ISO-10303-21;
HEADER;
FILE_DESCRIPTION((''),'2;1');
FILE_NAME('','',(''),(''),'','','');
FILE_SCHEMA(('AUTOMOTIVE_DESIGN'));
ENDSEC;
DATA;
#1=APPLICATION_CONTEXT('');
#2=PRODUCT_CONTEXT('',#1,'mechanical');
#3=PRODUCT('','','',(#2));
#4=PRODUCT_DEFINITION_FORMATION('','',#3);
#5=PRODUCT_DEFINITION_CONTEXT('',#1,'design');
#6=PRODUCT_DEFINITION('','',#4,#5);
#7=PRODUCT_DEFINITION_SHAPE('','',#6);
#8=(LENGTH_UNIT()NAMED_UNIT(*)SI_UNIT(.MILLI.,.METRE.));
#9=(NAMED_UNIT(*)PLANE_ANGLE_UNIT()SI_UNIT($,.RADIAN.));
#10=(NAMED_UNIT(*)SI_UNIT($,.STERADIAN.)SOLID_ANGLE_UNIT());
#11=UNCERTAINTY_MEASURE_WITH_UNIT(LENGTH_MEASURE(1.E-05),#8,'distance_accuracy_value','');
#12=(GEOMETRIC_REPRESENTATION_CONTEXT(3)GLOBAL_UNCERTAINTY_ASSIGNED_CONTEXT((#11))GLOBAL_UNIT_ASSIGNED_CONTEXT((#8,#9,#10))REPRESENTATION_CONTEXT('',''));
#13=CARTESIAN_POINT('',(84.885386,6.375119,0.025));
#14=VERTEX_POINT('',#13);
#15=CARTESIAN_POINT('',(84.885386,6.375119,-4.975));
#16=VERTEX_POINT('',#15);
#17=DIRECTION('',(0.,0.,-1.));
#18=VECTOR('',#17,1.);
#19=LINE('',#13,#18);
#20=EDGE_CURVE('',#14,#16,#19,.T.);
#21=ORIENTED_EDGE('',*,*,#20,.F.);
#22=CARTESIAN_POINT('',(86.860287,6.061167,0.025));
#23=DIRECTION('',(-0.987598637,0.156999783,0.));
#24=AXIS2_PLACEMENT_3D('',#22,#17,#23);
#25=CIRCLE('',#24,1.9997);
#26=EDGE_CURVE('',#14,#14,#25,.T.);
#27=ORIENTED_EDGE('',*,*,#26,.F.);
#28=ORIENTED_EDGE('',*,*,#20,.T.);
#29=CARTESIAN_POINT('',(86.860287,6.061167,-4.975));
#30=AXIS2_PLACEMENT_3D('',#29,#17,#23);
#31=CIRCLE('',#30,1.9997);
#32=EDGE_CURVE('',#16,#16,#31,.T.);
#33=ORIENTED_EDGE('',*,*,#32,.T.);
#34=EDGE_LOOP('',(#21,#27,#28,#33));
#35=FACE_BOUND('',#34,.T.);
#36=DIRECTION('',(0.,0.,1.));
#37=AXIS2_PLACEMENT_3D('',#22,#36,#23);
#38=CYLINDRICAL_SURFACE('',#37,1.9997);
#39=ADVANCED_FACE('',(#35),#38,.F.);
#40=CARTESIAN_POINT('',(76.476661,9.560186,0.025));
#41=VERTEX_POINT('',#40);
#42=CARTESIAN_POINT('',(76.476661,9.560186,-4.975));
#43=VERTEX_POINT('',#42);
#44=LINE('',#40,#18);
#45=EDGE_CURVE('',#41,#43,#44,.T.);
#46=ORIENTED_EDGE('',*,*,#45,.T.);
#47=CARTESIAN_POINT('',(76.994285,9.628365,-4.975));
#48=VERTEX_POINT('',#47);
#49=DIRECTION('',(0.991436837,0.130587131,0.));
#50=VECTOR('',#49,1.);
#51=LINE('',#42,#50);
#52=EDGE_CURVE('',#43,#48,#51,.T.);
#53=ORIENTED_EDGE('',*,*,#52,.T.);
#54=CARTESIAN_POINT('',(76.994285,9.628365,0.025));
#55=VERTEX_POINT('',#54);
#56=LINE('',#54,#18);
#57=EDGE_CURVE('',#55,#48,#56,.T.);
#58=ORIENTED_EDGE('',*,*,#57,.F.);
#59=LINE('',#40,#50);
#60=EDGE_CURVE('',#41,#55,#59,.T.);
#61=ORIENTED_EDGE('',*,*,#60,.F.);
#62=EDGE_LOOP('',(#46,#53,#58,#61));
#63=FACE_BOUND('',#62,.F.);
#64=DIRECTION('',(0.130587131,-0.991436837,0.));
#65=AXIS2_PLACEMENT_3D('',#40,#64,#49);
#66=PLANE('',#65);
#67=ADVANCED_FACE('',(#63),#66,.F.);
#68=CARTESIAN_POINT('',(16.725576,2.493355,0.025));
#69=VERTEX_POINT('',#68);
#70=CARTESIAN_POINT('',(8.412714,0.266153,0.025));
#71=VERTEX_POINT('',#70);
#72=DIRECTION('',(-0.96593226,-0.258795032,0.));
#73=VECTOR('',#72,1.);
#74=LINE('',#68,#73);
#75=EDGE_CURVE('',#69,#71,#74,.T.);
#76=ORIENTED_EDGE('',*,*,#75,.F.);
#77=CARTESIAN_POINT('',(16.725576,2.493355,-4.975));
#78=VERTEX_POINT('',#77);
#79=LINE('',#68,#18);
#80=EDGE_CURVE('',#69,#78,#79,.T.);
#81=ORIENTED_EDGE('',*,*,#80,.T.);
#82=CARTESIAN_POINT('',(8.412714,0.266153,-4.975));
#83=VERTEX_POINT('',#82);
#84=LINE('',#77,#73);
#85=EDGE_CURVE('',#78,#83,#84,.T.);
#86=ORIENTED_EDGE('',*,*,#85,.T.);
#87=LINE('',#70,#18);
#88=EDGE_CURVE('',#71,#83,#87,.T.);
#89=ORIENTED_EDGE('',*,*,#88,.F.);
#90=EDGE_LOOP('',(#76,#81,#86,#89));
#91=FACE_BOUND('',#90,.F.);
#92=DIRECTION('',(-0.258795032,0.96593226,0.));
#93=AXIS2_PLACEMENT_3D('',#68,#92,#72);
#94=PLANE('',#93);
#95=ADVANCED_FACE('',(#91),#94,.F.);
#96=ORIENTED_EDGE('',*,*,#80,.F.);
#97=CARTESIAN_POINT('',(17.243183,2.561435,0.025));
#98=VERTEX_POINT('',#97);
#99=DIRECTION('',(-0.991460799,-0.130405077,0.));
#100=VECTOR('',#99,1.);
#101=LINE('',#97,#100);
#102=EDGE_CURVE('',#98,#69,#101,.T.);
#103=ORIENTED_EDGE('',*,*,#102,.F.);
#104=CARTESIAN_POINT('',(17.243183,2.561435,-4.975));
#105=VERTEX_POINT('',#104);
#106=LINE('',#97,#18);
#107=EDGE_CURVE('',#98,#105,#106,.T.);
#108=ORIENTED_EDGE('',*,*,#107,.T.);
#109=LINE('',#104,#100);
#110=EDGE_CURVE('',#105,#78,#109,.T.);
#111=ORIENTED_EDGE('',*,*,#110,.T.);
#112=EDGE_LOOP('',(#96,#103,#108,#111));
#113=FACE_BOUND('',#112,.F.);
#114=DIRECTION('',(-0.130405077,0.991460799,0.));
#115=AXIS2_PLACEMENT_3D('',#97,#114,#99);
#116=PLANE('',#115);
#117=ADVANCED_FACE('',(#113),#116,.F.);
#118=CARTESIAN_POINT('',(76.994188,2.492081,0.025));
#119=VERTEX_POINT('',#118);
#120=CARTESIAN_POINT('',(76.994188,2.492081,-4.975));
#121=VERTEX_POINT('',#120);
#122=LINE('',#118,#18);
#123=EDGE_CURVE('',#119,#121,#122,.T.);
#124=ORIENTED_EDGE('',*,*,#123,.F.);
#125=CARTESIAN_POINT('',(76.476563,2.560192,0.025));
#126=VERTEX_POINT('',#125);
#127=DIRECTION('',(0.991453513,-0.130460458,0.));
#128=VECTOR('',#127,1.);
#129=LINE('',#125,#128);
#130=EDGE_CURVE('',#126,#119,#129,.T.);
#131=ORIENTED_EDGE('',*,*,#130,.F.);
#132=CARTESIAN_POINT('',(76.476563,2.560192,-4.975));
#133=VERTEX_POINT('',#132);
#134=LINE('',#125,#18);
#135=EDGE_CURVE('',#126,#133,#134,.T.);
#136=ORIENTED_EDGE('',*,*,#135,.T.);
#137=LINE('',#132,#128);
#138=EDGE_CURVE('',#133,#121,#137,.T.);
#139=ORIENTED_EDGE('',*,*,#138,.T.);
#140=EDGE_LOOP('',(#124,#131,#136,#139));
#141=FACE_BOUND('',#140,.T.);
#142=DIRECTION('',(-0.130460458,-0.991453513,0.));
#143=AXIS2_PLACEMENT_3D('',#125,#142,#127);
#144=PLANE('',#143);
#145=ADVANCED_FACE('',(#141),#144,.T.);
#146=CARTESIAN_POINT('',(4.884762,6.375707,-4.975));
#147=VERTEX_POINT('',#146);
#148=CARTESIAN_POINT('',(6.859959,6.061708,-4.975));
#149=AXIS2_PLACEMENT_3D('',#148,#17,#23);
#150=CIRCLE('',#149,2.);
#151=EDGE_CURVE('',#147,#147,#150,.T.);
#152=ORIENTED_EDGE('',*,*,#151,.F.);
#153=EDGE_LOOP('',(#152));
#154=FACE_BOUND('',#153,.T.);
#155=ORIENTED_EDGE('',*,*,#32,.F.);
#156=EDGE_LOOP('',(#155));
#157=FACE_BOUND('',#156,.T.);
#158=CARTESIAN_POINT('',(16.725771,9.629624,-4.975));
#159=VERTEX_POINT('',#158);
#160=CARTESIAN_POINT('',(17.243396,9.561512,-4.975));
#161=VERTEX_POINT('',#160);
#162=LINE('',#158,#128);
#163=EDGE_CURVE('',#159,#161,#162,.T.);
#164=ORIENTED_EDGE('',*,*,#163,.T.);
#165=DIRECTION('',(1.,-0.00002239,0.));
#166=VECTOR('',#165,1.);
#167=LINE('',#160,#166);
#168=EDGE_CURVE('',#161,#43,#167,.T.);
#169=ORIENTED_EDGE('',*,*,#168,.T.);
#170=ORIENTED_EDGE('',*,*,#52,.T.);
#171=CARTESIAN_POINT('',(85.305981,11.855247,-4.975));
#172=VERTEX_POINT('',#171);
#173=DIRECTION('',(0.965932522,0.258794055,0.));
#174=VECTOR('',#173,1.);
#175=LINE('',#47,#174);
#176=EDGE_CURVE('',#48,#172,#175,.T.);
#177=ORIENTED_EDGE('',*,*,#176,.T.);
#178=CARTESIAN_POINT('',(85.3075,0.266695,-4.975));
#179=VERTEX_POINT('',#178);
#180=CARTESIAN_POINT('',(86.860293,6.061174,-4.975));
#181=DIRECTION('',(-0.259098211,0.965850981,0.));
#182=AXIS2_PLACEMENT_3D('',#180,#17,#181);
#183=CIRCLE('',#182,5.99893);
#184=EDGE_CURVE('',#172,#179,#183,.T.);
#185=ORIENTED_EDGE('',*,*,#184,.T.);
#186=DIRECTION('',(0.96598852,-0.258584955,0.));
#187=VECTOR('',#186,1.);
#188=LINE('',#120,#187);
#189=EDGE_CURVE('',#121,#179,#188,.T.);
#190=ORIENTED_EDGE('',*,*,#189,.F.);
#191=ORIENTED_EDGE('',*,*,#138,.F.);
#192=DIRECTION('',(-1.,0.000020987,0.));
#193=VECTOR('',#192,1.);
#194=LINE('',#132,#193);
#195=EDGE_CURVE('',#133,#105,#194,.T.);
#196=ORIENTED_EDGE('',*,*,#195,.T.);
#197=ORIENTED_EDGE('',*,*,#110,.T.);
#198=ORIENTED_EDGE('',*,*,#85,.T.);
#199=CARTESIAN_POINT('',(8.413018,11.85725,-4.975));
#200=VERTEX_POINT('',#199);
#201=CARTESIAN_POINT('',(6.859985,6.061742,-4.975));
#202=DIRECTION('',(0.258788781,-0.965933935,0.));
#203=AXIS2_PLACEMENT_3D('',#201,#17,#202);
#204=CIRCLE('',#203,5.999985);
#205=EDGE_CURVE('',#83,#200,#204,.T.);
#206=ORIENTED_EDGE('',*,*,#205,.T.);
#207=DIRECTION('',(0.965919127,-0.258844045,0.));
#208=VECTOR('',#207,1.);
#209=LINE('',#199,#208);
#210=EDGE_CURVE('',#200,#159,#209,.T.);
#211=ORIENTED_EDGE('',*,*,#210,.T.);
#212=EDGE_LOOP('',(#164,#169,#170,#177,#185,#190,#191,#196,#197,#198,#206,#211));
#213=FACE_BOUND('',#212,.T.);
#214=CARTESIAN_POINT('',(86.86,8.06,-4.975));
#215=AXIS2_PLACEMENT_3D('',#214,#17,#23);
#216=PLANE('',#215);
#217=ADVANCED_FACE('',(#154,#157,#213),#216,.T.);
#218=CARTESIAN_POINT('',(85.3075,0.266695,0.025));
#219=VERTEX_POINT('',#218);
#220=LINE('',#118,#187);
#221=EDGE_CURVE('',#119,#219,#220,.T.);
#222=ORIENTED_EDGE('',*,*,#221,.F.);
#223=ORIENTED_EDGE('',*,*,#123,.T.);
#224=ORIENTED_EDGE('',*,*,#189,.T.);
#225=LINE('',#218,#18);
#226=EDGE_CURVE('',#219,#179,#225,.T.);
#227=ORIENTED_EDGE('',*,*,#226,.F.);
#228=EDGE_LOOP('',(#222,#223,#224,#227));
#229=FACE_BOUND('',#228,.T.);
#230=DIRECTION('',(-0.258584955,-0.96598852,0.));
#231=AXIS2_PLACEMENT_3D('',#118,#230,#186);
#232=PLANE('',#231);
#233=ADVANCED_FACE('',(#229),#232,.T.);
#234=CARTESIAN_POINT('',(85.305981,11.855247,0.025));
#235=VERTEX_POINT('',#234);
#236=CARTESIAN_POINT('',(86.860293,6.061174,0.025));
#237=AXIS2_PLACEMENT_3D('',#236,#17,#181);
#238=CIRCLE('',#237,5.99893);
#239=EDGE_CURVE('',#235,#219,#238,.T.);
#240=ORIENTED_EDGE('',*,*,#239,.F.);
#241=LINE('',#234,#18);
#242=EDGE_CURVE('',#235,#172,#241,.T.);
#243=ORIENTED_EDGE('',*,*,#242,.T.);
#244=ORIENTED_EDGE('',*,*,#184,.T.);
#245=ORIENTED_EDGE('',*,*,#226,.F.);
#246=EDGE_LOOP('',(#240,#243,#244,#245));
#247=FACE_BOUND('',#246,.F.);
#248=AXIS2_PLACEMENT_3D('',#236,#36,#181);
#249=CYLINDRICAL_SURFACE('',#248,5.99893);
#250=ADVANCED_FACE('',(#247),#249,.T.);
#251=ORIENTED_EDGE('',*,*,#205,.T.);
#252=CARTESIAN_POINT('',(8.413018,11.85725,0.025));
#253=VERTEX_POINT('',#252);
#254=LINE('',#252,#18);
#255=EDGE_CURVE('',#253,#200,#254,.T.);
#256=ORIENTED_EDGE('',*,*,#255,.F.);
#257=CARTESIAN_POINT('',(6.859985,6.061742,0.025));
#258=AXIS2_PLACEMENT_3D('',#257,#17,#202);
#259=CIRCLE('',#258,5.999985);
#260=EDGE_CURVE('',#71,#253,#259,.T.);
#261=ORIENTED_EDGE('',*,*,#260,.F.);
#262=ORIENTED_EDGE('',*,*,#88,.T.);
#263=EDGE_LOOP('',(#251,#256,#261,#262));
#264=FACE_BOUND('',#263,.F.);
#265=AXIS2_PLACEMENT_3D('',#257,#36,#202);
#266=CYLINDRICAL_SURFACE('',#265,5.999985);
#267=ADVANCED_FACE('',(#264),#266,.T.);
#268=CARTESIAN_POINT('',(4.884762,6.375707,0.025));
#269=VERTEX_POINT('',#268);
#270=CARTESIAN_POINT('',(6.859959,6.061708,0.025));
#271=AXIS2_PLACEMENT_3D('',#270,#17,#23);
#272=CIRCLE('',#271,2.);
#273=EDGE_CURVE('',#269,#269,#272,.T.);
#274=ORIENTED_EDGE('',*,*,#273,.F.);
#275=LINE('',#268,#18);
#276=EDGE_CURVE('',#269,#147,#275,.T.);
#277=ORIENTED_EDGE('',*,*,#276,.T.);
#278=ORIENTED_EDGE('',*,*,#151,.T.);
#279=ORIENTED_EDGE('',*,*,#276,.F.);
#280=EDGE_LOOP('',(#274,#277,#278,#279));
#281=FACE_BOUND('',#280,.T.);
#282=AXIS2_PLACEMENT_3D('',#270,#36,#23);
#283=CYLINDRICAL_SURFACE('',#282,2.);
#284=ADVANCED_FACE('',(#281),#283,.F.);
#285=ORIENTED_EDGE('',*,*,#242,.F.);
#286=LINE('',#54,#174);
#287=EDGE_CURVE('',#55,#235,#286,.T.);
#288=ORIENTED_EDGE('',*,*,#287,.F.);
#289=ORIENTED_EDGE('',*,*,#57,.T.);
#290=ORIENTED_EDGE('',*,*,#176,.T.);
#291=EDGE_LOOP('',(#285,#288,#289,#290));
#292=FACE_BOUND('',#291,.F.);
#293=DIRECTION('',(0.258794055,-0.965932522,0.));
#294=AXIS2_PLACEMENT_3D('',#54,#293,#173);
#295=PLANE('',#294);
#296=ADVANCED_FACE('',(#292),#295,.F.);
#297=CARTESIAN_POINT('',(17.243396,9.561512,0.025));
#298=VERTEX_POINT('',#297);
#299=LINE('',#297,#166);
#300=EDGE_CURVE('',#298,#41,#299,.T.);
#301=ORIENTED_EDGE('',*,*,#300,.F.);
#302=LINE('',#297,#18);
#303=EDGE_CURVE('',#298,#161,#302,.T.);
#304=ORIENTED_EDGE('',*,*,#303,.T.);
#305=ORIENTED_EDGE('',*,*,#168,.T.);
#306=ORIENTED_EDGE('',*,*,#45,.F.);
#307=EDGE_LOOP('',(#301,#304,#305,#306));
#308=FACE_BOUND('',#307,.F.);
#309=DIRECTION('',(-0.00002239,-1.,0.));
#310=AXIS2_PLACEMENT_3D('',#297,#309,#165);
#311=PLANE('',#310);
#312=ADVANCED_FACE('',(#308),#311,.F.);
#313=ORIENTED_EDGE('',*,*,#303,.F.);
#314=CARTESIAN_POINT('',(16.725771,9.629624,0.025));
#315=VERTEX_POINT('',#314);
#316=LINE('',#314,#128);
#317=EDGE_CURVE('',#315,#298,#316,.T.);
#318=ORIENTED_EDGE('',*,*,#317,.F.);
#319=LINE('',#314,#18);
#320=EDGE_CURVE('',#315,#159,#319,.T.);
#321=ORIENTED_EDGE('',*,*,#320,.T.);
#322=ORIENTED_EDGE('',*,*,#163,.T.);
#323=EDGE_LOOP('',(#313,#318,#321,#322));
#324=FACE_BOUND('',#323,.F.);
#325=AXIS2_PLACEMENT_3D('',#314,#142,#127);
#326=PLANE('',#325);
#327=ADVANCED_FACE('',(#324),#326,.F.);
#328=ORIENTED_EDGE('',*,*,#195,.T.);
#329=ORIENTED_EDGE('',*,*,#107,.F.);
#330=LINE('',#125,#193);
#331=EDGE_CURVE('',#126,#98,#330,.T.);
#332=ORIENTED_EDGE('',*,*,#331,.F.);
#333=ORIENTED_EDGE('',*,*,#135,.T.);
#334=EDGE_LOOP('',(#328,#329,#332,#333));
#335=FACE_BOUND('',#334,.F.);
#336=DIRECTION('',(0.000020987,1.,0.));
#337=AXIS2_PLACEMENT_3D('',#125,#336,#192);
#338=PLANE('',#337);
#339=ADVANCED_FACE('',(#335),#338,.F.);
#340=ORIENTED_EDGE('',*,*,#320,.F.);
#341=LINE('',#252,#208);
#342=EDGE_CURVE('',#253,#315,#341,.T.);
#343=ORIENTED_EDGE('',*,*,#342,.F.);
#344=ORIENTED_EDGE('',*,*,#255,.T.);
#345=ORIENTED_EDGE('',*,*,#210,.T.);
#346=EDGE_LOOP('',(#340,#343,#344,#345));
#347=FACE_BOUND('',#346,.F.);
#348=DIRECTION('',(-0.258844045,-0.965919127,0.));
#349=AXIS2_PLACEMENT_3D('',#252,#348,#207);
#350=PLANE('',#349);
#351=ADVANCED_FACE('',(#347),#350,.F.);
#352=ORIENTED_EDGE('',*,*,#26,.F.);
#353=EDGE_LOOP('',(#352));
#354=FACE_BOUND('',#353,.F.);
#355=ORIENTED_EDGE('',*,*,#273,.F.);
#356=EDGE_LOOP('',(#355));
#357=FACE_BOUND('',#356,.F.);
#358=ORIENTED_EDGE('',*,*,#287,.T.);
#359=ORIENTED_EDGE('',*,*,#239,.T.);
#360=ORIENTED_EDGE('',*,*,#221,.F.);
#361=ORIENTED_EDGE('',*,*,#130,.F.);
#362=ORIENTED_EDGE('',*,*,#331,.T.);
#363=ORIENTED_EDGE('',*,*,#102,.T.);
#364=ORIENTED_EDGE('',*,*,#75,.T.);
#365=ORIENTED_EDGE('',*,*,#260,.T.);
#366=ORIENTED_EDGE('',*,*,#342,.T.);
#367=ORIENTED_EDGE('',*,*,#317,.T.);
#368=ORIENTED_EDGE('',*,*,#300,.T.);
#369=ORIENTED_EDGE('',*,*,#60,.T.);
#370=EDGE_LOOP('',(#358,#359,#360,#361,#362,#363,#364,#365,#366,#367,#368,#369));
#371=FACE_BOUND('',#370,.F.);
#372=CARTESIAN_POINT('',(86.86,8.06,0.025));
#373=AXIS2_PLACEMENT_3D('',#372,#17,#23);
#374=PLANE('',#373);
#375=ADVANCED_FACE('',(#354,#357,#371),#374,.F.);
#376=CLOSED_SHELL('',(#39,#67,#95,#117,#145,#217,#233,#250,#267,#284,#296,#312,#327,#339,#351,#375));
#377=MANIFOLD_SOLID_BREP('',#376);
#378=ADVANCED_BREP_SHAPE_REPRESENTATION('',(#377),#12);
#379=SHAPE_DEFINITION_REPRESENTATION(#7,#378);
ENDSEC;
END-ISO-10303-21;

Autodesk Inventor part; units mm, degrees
ref_plane "YZ Plane" through (0, 0, 0) normal (1, 0, 0) x (0, 1, 0)
ref_plane "XZ Plane" through (0, 0, 0) normal (0, 1, 0) x (-1, 0, 0)
ref_plane "Plano de trabajo1" through (86.86, 8.06, 0.025) normal (0, 0, -1) x (-0.9876, 0.157, 0)
sketch "Boceto1" plane through (86.86, 8.06, 0.025) normal (0, 0, -1) x (-0.9876, 0.157, 0)
  line L0 (0.3099, -7.9427) -> (0.3097, -7.9404)
  circle A0 centre (-0.3141, -1.974) radius 1.9997
  arc A1 (2.1306, 3.5042) -> (0.3097, -7.9404) centre (-0.3141, -1.974) ccw
  arc A2 (76.2508, -20.0134) -> (78.0703, -8.566) centre (78.6942, -14.5335) ccw
  circle A3 centre (78.6942, -14.5335) radius 2
  line L1 (10.4901, -0.1486) -> (9.9896, 0)
  line L2 (69.5109, -9.4609) -> (68.989, -9.4469)
  line L3 (67.8902, -16.3602) -> (68.3907, -16.5087)
  line L4 (9.3912, -7.0618) -> (8.8693, -7.0478)
  line L5 (9.9896, 0) -> (2.1306, 3.5042)
  line L6 (8.8693, -7.0478) -> (0.3097, -7.9404)
  line L7 (9.3912, -7.0618) -> (67.8902, -16.3602)
  line L8 (68.3907, -16.5087) -> (76.2508, -20.0134)
  line L9 (78.0703, -8.566) -> (69.5109, -9.4609)
  line L10 (68.989, -9.4469) -> (10.4901, -0.1486)
  point P0 (84.5179, -21.5953)
  point P1 (2.1295, 3.5047)
  point P2 (78.0703, -8.566)
  point P3 (1.5536, -1.2595)
  point P4 (76.719, -14.2196)
extrude "Extrusión1" add sketch "Boceto1" along normal blind 5
sketch "Boceto2" plane through (86.86, 8.06, 0.025) normal (0, 0, 1) x (0.9876, -0.157, 0)
  point P0 (-84.5179, -21.5953)
properties part number "STEP translator 7.5 1"
